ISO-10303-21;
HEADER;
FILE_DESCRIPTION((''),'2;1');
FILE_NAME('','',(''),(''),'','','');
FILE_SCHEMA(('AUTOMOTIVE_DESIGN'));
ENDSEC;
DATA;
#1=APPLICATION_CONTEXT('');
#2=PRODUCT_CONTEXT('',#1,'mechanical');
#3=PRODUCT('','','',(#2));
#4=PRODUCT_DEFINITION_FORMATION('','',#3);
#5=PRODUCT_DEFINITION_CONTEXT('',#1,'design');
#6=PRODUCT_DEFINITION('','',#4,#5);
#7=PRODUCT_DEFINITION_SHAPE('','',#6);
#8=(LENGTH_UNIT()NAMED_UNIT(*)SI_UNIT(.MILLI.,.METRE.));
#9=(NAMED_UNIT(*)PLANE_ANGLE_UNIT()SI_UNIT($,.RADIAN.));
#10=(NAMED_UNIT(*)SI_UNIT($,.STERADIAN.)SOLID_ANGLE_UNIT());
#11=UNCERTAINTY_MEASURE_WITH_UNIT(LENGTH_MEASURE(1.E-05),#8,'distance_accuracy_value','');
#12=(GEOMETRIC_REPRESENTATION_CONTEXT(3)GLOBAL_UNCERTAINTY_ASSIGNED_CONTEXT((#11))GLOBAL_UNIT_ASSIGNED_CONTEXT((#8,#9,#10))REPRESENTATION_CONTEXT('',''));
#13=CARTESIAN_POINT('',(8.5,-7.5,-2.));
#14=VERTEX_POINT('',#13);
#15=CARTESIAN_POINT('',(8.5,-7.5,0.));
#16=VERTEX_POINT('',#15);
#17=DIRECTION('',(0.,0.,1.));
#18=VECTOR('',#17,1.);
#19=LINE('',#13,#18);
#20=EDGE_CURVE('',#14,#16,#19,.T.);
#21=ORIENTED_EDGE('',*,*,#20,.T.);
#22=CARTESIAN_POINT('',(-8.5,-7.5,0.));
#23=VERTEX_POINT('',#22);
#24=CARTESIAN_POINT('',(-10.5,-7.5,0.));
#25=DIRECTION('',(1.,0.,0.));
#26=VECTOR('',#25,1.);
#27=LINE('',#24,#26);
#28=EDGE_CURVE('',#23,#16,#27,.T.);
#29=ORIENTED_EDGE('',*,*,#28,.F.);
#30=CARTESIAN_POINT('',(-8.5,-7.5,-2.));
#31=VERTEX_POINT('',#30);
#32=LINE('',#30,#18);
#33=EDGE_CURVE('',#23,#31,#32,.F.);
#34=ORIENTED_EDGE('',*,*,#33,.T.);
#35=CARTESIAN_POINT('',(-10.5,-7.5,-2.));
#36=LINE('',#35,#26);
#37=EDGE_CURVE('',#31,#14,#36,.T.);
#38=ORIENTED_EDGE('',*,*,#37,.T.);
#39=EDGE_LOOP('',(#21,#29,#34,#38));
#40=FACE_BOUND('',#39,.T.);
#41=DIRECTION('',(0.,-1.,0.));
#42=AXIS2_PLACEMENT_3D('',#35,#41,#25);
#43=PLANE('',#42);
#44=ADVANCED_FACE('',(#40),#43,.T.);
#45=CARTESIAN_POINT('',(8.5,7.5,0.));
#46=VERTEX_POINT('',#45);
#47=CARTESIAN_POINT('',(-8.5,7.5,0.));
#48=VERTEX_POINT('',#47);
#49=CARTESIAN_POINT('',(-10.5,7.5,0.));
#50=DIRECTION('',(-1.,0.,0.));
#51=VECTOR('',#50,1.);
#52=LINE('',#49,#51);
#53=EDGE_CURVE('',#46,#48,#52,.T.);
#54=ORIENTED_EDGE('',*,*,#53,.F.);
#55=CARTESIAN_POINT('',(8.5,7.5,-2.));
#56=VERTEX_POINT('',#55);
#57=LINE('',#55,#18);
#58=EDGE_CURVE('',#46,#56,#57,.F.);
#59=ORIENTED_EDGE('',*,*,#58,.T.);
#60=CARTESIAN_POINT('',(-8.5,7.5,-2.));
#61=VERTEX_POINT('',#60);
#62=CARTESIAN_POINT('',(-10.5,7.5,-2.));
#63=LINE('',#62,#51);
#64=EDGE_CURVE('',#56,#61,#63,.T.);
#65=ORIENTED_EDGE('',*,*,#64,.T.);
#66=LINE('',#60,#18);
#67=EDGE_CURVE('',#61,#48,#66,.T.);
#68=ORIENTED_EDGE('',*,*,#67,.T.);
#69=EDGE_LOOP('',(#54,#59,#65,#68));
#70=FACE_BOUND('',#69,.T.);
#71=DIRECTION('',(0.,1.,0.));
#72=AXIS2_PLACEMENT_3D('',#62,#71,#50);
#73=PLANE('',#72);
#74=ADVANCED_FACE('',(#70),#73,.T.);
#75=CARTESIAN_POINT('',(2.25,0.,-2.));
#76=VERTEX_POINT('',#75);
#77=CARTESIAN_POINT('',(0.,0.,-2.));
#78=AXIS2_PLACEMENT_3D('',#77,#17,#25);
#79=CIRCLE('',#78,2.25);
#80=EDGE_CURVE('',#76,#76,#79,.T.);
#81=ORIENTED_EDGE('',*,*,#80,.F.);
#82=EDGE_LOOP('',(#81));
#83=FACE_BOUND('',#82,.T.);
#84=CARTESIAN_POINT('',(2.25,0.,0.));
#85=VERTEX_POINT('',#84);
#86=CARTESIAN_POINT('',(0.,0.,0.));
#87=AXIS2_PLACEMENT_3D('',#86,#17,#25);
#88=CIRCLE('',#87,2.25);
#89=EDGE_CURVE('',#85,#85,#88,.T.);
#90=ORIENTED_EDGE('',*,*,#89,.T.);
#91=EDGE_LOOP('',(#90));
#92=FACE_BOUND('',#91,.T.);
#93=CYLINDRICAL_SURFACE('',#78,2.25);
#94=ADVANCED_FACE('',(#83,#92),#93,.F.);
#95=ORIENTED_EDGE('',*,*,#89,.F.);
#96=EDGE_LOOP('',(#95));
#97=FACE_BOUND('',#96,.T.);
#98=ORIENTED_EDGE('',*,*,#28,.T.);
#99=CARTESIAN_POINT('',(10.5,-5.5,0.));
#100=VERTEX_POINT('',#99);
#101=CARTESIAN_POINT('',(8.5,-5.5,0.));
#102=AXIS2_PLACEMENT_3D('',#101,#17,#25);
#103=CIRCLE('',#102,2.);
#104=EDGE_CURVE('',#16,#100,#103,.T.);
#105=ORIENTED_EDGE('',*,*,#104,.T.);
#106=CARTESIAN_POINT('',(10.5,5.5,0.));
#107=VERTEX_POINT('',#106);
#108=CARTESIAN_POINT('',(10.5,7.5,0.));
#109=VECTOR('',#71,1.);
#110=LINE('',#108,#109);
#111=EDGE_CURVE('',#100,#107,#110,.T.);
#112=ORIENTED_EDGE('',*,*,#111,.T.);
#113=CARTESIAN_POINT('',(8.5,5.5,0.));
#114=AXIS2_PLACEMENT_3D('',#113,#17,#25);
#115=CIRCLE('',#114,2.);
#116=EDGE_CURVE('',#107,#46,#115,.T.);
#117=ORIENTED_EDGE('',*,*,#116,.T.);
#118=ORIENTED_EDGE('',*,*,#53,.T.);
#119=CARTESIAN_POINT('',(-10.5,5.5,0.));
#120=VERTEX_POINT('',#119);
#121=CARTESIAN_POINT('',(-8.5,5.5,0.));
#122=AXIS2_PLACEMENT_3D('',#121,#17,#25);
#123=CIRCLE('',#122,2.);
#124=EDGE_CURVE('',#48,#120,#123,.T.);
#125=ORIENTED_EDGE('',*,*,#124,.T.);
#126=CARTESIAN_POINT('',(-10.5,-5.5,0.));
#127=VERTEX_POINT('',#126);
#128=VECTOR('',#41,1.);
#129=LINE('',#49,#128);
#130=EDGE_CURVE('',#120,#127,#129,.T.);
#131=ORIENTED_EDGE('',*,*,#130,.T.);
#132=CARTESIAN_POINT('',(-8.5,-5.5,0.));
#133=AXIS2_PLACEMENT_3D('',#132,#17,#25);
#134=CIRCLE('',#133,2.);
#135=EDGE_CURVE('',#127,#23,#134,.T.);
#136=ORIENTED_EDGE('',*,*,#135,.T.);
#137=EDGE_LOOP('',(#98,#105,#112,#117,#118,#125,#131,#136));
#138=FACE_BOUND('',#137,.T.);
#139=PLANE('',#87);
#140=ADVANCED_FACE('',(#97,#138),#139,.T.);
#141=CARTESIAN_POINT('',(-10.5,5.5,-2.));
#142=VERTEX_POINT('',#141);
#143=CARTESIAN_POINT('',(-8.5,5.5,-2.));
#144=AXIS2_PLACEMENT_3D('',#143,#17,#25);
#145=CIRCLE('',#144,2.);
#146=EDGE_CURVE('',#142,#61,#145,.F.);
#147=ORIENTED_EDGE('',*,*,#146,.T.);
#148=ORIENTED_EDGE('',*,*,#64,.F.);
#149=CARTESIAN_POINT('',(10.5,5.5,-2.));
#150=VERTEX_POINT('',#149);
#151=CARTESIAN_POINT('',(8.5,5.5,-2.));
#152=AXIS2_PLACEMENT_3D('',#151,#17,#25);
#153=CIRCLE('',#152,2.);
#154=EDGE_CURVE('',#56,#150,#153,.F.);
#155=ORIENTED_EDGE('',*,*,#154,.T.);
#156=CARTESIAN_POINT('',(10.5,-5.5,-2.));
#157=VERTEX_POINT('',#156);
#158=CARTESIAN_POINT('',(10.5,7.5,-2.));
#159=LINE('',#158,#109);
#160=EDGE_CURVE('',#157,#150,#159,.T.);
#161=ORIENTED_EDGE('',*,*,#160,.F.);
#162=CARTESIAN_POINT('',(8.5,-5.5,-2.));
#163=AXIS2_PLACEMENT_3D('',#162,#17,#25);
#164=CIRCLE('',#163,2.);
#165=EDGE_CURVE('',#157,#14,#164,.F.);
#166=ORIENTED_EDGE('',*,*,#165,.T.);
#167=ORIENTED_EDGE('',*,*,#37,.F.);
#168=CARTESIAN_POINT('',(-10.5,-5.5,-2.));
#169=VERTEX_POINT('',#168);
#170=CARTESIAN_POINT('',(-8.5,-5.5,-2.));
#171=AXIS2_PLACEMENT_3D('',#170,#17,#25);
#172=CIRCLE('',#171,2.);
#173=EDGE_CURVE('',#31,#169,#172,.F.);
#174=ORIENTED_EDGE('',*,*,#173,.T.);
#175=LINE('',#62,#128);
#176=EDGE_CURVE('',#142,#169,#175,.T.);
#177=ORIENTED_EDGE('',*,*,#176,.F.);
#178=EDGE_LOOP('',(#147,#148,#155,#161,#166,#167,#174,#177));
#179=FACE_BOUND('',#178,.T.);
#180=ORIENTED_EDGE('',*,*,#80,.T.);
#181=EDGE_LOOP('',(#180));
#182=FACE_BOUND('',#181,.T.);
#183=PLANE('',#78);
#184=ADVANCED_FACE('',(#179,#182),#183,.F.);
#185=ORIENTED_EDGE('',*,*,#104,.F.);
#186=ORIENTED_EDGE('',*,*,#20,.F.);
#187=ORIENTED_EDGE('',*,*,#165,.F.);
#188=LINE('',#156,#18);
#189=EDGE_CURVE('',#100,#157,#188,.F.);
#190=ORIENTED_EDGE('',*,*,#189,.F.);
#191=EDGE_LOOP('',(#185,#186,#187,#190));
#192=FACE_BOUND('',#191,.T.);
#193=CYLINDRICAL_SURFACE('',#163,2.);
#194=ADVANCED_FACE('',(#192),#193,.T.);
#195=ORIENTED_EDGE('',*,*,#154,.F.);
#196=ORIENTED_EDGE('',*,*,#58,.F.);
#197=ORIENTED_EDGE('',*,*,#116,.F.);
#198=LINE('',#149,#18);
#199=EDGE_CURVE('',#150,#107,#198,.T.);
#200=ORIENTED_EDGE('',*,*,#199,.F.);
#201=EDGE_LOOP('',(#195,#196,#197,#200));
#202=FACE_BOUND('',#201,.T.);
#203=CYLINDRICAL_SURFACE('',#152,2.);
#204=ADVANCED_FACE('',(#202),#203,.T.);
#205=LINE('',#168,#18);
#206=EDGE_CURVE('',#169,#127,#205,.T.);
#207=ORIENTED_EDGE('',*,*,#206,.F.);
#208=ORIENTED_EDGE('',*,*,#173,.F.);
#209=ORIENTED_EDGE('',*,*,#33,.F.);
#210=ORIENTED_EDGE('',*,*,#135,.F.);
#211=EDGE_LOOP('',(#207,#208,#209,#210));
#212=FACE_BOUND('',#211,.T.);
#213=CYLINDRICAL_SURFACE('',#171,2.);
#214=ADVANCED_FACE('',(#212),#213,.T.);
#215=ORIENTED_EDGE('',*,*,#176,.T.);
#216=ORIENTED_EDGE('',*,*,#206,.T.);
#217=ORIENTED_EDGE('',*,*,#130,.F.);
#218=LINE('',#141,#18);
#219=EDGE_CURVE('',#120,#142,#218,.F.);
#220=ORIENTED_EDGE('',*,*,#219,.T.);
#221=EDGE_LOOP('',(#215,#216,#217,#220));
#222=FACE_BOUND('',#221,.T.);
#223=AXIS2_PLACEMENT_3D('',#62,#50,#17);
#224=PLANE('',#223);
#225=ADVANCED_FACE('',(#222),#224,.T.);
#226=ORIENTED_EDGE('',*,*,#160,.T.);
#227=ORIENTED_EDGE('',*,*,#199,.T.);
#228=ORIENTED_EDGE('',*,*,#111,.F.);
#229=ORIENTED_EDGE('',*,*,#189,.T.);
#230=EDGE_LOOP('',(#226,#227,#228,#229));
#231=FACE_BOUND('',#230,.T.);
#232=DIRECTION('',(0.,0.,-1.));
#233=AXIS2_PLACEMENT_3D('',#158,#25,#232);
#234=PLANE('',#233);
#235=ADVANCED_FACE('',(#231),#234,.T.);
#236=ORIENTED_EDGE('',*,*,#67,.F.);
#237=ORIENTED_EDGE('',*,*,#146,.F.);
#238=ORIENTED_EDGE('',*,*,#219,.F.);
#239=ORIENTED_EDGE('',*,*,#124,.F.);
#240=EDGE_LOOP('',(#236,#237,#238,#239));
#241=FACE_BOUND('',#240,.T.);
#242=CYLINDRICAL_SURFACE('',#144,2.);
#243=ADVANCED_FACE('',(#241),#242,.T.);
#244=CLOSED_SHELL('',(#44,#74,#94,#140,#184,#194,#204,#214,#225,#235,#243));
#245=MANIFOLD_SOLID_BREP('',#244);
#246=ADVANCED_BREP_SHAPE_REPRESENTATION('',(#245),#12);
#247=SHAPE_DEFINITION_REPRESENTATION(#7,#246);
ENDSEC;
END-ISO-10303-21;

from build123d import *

# Parameters (mm, degrees)
SKETCH1_W           = 21
SKETCH1_H           = 15
BOSS_EXTRUDE1_DEPTH = 2
SKETCH2_R           = 2.25
CUT_EXTRUDE1_DEPTH  = 14.057564857
FILLET1_R           = 2


with BuildPart() as part:
    # Sketch1 → Boss-Extrude1 (new body)
    with BuildSketch(Plane.XY):
        Rectangle(SKETCH1_W, SKETCH1_H)
    extrude(amount=-BOSS_EXTRUDE1_DEPTH)

    # Sketch2 → Cut-Extrude1 (cut, through all)
    with BuildSketch(Plane.XY):
        Circle(SKETCH2_R)
    extrude(amount=-CUT_EXTRUDE1_DEPTH, mode=Mode.SUBTRACT)

    # Fillet1
    fillet1_edges = [part.edges().sort_by_distance(p)[0] for p in [
        (10.5, -7.5, -1),
        (-10.5, -7.5, -1),
        (-10.5, 7.5, -1),
        (10.5, 7.5, -1),
    ]]
    fillet(fillet1_edges, radius=FILLET1_R)


solid = part.part
